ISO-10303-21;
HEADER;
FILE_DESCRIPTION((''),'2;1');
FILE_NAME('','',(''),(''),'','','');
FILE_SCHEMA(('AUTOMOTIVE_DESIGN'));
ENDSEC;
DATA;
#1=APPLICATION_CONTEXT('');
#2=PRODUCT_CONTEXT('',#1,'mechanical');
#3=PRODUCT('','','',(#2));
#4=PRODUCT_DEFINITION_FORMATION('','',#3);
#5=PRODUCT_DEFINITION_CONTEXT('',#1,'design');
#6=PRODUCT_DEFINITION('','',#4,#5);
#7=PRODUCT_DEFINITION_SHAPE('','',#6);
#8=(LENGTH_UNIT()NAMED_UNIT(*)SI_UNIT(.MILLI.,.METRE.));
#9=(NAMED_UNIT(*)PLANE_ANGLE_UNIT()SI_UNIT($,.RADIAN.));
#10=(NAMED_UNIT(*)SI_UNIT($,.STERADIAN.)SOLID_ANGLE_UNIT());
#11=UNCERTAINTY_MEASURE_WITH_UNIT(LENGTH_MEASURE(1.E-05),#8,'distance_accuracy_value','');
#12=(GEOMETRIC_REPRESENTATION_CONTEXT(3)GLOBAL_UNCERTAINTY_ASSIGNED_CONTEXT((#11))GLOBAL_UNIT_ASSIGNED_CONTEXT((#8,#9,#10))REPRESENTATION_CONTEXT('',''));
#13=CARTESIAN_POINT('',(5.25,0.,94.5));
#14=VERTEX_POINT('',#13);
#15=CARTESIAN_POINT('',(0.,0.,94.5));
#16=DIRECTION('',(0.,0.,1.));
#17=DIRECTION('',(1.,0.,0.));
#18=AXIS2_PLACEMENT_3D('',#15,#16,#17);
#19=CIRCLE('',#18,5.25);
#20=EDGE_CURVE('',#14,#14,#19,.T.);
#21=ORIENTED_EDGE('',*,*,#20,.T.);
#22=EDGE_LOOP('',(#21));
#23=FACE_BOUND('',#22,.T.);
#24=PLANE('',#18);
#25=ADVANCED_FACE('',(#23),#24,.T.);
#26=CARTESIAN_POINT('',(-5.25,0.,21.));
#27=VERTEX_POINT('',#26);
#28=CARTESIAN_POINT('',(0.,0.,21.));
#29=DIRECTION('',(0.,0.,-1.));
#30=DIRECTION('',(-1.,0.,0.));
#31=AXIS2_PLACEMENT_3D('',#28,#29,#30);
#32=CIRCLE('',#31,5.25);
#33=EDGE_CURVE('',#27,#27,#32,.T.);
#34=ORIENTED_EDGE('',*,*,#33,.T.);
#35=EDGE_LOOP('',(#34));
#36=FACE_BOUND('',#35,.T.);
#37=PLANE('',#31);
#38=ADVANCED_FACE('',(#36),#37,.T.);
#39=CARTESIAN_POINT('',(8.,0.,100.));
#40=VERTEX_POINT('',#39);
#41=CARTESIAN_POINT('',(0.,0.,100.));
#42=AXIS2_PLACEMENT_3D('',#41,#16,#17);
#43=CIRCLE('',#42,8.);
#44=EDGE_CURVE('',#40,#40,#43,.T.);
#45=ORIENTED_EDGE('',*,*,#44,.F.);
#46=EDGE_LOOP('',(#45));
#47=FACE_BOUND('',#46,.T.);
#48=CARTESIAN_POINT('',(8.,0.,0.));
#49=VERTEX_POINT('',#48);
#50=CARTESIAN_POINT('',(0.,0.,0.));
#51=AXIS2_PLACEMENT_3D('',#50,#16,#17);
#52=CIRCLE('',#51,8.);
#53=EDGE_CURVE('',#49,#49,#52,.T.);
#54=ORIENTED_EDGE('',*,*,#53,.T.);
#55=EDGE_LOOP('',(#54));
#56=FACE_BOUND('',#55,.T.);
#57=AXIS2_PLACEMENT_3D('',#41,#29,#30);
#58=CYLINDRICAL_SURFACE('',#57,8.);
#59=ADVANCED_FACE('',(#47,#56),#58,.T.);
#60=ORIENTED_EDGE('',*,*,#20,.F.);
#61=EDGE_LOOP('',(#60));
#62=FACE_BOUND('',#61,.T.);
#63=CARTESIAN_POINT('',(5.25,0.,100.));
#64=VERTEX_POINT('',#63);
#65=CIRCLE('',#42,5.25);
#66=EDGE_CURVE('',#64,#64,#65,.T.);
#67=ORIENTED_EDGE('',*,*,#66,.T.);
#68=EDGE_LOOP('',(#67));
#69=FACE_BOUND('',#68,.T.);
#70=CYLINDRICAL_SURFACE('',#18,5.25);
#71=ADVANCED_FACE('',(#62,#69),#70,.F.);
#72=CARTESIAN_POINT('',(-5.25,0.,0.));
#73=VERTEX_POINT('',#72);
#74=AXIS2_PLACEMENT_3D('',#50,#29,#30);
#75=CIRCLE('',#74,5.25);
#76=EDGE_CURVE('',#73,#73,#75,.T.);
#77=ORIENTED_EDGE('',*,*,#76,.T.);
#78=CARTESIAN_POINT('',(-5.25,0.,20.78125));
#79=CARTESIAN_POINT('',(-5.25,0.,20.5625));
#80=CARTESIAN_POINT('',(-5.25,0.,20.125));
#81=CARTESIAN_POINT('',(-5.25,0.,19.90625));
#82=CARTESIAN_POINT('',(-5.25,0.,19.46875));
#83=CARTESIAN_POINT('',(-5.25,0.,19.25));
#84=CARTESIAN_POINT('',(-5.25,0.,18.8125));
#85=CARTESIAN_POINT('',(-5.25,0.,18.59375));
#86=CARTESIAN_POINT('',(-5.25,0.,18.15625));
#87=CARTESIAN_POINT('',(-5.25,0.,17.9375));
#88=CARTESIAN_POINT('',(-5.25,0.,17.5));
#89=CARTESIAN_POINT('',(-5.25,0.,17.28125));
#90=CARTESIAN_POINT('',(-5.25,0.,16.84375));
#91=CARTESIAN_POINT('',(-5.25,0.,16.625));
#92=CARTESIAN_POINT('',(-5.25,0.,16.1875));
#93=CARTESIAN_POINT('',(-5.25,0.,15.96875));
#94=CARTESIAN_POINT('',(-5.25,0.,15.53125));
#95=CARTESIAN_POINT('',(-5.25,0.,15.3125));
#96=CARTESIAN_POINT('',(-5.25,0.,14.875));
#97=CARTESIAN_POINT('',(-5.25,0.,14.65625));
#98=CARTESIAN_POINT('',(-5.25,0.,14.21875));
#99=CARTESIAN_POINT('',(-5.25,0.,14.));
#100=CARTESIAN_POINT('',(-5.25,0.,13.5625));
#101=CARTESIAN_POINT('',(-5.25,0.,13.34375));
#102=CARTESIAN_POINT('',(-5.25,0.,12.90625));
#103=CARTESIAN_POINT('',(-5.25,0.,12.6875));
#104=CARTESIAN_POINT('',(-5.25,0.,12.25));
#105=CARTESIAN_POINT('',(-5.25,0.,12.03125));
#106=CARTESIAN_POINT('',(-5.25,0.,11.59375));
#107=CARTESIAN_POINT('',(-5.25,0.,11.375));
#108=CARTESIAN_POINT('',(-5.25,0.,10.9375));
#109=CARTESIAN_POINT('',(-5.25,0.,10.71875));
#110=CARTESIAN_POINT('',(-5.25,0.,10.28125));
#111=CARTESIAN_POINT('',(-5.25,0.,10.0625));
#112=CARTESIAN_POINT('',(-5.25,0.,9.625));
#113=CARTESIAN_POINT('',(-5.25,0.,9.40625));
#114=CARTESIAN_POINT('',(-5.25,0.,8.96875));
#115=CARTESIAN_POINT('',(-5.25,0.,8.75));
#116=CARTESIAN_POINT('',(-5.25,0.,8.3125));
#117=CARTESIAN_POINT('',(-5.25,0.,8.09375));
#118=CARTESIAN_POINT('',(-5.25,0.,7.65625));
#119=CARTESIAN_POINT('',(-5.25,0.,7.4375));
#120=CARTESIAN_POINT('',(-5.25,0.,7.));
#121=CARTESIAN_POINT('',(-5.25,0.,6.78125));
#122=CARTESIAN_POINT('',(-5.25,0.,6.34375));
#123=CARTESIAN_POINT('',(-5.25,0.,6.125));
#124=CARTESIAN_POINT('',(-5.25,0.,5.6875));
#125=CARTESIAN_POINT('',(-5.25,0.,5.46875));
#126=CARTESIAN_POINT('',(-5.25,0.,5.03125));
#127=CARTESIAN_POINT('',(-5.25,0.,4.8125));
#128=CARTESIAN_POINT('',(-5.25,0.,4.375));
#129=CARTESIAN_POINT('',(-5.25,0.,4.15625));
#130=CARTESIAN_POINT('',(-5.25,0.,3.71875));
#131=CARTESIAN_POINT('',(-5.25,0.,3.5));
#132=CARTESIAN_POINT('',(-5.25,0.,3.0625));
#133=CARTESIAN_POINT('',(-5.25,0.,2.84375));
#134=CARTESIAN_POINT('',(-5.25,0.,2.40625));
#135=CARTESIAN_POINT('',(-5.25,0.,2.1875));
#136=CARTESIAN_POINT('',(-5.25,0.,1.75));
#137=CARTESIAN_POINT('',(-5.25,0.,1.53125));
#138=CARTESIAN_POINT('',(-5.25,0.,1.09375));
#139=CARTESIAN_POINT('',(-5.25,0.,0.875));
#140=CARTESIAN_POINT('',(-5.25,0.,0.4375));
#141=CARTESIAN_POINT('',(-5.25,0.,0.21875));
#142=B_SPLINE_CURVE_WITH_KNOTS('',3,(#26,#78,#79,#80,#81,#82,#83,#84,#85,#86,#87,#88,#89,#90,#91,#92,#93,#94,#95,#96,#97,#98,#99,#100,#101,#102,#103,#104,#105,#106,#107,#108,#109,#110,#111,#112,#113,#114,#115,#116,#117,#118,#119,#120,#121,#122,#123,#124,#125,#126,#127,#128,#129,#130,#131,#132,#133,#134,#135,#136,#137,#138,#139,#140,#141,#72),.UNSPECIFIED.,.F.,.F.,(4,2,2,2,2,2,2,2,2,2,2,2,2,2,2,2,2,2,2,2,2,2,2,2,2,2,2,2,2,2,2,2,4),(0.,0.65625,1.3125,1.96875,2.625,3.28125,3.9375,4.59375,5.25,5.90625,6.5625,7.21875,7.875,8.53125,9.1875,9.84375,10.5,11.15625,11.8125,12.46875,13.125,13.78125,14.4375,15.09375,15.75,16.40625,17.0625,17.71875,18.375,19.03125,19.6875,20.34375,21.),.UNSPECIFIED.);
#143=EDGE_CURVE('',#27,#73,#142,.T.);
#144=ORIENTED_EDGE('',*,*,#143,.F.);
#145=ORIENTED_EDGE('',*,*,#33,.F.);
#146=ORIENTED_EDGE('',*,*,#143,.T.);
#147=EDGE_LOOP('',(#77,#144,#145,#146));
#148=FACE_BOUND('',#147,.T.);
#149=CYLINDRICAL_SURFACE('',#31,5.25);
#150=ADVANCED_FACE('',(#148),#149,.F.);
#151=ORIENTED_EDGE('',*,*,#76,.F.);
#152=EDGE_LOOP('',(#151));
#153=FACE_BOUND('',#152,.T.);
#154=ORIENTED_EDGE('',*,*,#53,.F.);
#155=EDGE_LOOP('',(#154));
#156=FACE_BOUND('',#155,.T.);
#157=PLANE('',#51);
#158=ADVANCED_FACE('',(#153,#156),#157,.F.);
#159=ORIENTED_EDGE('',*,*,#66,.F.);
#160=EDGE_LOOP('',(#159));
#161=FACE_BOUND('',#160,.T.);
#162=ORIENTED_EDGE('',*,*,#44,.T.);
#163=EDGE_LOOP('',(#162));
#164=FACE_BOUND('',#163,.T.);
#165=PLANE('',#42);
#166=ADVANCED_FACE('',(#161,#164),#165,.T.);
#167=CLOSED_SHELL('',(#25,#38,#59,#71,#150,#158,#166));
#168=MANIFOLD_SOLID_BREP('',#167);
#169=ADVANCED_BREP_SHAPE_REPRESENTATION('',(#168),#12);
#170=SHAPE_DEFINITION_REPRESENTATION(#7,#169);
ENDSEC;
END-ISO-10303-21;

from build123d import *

# Parameters (mm, degrees)
SKETCH2_R           = 8
BOSS_EXTRUDE1_DEPTH = 100
SKETCH3_R           = 5.25
CUT_EXTRUDE1_DEPTH  = 21
CUT_EXTRUDE2_START  = -5.5
SKETCH4_R           = 5.25
CUT_EXTRUDE2_DEPTH  = 5.5


with BuildPart() as part:
    # Sketch2 → Boss-Extrude1 (new body)
    with BuildSketch(Plane.XY):
        Circle(SKETCH2_R)
    extrude(amount=BOSS_EXTRUDE1_DEPTH)

    # Sketch3 → Cut-Extrude1 (cut)
    with BuildSketch(Plane(origin=(0, 0, 0), x_dir=(-1, 0, 0), z_dir=(0, 0, -1))):
        Circle(SKETCH3_R)
    extrude(amount=-CUT_EXTRUDE1_DEPTH, mode=Mode.SUBTRACT)

    # Sketch4 → Cut-Extrude2 (cut)
    with BuildSketch(Plane.XY.offset(100).offset(CUT_EXTRUDE2_START)):
        Circle(SKETCH4_R)
    extrude(amount=CUT_EXTRUDE2_DEPTH, mode=Mode.SUBTRACT)


solid = part.part
